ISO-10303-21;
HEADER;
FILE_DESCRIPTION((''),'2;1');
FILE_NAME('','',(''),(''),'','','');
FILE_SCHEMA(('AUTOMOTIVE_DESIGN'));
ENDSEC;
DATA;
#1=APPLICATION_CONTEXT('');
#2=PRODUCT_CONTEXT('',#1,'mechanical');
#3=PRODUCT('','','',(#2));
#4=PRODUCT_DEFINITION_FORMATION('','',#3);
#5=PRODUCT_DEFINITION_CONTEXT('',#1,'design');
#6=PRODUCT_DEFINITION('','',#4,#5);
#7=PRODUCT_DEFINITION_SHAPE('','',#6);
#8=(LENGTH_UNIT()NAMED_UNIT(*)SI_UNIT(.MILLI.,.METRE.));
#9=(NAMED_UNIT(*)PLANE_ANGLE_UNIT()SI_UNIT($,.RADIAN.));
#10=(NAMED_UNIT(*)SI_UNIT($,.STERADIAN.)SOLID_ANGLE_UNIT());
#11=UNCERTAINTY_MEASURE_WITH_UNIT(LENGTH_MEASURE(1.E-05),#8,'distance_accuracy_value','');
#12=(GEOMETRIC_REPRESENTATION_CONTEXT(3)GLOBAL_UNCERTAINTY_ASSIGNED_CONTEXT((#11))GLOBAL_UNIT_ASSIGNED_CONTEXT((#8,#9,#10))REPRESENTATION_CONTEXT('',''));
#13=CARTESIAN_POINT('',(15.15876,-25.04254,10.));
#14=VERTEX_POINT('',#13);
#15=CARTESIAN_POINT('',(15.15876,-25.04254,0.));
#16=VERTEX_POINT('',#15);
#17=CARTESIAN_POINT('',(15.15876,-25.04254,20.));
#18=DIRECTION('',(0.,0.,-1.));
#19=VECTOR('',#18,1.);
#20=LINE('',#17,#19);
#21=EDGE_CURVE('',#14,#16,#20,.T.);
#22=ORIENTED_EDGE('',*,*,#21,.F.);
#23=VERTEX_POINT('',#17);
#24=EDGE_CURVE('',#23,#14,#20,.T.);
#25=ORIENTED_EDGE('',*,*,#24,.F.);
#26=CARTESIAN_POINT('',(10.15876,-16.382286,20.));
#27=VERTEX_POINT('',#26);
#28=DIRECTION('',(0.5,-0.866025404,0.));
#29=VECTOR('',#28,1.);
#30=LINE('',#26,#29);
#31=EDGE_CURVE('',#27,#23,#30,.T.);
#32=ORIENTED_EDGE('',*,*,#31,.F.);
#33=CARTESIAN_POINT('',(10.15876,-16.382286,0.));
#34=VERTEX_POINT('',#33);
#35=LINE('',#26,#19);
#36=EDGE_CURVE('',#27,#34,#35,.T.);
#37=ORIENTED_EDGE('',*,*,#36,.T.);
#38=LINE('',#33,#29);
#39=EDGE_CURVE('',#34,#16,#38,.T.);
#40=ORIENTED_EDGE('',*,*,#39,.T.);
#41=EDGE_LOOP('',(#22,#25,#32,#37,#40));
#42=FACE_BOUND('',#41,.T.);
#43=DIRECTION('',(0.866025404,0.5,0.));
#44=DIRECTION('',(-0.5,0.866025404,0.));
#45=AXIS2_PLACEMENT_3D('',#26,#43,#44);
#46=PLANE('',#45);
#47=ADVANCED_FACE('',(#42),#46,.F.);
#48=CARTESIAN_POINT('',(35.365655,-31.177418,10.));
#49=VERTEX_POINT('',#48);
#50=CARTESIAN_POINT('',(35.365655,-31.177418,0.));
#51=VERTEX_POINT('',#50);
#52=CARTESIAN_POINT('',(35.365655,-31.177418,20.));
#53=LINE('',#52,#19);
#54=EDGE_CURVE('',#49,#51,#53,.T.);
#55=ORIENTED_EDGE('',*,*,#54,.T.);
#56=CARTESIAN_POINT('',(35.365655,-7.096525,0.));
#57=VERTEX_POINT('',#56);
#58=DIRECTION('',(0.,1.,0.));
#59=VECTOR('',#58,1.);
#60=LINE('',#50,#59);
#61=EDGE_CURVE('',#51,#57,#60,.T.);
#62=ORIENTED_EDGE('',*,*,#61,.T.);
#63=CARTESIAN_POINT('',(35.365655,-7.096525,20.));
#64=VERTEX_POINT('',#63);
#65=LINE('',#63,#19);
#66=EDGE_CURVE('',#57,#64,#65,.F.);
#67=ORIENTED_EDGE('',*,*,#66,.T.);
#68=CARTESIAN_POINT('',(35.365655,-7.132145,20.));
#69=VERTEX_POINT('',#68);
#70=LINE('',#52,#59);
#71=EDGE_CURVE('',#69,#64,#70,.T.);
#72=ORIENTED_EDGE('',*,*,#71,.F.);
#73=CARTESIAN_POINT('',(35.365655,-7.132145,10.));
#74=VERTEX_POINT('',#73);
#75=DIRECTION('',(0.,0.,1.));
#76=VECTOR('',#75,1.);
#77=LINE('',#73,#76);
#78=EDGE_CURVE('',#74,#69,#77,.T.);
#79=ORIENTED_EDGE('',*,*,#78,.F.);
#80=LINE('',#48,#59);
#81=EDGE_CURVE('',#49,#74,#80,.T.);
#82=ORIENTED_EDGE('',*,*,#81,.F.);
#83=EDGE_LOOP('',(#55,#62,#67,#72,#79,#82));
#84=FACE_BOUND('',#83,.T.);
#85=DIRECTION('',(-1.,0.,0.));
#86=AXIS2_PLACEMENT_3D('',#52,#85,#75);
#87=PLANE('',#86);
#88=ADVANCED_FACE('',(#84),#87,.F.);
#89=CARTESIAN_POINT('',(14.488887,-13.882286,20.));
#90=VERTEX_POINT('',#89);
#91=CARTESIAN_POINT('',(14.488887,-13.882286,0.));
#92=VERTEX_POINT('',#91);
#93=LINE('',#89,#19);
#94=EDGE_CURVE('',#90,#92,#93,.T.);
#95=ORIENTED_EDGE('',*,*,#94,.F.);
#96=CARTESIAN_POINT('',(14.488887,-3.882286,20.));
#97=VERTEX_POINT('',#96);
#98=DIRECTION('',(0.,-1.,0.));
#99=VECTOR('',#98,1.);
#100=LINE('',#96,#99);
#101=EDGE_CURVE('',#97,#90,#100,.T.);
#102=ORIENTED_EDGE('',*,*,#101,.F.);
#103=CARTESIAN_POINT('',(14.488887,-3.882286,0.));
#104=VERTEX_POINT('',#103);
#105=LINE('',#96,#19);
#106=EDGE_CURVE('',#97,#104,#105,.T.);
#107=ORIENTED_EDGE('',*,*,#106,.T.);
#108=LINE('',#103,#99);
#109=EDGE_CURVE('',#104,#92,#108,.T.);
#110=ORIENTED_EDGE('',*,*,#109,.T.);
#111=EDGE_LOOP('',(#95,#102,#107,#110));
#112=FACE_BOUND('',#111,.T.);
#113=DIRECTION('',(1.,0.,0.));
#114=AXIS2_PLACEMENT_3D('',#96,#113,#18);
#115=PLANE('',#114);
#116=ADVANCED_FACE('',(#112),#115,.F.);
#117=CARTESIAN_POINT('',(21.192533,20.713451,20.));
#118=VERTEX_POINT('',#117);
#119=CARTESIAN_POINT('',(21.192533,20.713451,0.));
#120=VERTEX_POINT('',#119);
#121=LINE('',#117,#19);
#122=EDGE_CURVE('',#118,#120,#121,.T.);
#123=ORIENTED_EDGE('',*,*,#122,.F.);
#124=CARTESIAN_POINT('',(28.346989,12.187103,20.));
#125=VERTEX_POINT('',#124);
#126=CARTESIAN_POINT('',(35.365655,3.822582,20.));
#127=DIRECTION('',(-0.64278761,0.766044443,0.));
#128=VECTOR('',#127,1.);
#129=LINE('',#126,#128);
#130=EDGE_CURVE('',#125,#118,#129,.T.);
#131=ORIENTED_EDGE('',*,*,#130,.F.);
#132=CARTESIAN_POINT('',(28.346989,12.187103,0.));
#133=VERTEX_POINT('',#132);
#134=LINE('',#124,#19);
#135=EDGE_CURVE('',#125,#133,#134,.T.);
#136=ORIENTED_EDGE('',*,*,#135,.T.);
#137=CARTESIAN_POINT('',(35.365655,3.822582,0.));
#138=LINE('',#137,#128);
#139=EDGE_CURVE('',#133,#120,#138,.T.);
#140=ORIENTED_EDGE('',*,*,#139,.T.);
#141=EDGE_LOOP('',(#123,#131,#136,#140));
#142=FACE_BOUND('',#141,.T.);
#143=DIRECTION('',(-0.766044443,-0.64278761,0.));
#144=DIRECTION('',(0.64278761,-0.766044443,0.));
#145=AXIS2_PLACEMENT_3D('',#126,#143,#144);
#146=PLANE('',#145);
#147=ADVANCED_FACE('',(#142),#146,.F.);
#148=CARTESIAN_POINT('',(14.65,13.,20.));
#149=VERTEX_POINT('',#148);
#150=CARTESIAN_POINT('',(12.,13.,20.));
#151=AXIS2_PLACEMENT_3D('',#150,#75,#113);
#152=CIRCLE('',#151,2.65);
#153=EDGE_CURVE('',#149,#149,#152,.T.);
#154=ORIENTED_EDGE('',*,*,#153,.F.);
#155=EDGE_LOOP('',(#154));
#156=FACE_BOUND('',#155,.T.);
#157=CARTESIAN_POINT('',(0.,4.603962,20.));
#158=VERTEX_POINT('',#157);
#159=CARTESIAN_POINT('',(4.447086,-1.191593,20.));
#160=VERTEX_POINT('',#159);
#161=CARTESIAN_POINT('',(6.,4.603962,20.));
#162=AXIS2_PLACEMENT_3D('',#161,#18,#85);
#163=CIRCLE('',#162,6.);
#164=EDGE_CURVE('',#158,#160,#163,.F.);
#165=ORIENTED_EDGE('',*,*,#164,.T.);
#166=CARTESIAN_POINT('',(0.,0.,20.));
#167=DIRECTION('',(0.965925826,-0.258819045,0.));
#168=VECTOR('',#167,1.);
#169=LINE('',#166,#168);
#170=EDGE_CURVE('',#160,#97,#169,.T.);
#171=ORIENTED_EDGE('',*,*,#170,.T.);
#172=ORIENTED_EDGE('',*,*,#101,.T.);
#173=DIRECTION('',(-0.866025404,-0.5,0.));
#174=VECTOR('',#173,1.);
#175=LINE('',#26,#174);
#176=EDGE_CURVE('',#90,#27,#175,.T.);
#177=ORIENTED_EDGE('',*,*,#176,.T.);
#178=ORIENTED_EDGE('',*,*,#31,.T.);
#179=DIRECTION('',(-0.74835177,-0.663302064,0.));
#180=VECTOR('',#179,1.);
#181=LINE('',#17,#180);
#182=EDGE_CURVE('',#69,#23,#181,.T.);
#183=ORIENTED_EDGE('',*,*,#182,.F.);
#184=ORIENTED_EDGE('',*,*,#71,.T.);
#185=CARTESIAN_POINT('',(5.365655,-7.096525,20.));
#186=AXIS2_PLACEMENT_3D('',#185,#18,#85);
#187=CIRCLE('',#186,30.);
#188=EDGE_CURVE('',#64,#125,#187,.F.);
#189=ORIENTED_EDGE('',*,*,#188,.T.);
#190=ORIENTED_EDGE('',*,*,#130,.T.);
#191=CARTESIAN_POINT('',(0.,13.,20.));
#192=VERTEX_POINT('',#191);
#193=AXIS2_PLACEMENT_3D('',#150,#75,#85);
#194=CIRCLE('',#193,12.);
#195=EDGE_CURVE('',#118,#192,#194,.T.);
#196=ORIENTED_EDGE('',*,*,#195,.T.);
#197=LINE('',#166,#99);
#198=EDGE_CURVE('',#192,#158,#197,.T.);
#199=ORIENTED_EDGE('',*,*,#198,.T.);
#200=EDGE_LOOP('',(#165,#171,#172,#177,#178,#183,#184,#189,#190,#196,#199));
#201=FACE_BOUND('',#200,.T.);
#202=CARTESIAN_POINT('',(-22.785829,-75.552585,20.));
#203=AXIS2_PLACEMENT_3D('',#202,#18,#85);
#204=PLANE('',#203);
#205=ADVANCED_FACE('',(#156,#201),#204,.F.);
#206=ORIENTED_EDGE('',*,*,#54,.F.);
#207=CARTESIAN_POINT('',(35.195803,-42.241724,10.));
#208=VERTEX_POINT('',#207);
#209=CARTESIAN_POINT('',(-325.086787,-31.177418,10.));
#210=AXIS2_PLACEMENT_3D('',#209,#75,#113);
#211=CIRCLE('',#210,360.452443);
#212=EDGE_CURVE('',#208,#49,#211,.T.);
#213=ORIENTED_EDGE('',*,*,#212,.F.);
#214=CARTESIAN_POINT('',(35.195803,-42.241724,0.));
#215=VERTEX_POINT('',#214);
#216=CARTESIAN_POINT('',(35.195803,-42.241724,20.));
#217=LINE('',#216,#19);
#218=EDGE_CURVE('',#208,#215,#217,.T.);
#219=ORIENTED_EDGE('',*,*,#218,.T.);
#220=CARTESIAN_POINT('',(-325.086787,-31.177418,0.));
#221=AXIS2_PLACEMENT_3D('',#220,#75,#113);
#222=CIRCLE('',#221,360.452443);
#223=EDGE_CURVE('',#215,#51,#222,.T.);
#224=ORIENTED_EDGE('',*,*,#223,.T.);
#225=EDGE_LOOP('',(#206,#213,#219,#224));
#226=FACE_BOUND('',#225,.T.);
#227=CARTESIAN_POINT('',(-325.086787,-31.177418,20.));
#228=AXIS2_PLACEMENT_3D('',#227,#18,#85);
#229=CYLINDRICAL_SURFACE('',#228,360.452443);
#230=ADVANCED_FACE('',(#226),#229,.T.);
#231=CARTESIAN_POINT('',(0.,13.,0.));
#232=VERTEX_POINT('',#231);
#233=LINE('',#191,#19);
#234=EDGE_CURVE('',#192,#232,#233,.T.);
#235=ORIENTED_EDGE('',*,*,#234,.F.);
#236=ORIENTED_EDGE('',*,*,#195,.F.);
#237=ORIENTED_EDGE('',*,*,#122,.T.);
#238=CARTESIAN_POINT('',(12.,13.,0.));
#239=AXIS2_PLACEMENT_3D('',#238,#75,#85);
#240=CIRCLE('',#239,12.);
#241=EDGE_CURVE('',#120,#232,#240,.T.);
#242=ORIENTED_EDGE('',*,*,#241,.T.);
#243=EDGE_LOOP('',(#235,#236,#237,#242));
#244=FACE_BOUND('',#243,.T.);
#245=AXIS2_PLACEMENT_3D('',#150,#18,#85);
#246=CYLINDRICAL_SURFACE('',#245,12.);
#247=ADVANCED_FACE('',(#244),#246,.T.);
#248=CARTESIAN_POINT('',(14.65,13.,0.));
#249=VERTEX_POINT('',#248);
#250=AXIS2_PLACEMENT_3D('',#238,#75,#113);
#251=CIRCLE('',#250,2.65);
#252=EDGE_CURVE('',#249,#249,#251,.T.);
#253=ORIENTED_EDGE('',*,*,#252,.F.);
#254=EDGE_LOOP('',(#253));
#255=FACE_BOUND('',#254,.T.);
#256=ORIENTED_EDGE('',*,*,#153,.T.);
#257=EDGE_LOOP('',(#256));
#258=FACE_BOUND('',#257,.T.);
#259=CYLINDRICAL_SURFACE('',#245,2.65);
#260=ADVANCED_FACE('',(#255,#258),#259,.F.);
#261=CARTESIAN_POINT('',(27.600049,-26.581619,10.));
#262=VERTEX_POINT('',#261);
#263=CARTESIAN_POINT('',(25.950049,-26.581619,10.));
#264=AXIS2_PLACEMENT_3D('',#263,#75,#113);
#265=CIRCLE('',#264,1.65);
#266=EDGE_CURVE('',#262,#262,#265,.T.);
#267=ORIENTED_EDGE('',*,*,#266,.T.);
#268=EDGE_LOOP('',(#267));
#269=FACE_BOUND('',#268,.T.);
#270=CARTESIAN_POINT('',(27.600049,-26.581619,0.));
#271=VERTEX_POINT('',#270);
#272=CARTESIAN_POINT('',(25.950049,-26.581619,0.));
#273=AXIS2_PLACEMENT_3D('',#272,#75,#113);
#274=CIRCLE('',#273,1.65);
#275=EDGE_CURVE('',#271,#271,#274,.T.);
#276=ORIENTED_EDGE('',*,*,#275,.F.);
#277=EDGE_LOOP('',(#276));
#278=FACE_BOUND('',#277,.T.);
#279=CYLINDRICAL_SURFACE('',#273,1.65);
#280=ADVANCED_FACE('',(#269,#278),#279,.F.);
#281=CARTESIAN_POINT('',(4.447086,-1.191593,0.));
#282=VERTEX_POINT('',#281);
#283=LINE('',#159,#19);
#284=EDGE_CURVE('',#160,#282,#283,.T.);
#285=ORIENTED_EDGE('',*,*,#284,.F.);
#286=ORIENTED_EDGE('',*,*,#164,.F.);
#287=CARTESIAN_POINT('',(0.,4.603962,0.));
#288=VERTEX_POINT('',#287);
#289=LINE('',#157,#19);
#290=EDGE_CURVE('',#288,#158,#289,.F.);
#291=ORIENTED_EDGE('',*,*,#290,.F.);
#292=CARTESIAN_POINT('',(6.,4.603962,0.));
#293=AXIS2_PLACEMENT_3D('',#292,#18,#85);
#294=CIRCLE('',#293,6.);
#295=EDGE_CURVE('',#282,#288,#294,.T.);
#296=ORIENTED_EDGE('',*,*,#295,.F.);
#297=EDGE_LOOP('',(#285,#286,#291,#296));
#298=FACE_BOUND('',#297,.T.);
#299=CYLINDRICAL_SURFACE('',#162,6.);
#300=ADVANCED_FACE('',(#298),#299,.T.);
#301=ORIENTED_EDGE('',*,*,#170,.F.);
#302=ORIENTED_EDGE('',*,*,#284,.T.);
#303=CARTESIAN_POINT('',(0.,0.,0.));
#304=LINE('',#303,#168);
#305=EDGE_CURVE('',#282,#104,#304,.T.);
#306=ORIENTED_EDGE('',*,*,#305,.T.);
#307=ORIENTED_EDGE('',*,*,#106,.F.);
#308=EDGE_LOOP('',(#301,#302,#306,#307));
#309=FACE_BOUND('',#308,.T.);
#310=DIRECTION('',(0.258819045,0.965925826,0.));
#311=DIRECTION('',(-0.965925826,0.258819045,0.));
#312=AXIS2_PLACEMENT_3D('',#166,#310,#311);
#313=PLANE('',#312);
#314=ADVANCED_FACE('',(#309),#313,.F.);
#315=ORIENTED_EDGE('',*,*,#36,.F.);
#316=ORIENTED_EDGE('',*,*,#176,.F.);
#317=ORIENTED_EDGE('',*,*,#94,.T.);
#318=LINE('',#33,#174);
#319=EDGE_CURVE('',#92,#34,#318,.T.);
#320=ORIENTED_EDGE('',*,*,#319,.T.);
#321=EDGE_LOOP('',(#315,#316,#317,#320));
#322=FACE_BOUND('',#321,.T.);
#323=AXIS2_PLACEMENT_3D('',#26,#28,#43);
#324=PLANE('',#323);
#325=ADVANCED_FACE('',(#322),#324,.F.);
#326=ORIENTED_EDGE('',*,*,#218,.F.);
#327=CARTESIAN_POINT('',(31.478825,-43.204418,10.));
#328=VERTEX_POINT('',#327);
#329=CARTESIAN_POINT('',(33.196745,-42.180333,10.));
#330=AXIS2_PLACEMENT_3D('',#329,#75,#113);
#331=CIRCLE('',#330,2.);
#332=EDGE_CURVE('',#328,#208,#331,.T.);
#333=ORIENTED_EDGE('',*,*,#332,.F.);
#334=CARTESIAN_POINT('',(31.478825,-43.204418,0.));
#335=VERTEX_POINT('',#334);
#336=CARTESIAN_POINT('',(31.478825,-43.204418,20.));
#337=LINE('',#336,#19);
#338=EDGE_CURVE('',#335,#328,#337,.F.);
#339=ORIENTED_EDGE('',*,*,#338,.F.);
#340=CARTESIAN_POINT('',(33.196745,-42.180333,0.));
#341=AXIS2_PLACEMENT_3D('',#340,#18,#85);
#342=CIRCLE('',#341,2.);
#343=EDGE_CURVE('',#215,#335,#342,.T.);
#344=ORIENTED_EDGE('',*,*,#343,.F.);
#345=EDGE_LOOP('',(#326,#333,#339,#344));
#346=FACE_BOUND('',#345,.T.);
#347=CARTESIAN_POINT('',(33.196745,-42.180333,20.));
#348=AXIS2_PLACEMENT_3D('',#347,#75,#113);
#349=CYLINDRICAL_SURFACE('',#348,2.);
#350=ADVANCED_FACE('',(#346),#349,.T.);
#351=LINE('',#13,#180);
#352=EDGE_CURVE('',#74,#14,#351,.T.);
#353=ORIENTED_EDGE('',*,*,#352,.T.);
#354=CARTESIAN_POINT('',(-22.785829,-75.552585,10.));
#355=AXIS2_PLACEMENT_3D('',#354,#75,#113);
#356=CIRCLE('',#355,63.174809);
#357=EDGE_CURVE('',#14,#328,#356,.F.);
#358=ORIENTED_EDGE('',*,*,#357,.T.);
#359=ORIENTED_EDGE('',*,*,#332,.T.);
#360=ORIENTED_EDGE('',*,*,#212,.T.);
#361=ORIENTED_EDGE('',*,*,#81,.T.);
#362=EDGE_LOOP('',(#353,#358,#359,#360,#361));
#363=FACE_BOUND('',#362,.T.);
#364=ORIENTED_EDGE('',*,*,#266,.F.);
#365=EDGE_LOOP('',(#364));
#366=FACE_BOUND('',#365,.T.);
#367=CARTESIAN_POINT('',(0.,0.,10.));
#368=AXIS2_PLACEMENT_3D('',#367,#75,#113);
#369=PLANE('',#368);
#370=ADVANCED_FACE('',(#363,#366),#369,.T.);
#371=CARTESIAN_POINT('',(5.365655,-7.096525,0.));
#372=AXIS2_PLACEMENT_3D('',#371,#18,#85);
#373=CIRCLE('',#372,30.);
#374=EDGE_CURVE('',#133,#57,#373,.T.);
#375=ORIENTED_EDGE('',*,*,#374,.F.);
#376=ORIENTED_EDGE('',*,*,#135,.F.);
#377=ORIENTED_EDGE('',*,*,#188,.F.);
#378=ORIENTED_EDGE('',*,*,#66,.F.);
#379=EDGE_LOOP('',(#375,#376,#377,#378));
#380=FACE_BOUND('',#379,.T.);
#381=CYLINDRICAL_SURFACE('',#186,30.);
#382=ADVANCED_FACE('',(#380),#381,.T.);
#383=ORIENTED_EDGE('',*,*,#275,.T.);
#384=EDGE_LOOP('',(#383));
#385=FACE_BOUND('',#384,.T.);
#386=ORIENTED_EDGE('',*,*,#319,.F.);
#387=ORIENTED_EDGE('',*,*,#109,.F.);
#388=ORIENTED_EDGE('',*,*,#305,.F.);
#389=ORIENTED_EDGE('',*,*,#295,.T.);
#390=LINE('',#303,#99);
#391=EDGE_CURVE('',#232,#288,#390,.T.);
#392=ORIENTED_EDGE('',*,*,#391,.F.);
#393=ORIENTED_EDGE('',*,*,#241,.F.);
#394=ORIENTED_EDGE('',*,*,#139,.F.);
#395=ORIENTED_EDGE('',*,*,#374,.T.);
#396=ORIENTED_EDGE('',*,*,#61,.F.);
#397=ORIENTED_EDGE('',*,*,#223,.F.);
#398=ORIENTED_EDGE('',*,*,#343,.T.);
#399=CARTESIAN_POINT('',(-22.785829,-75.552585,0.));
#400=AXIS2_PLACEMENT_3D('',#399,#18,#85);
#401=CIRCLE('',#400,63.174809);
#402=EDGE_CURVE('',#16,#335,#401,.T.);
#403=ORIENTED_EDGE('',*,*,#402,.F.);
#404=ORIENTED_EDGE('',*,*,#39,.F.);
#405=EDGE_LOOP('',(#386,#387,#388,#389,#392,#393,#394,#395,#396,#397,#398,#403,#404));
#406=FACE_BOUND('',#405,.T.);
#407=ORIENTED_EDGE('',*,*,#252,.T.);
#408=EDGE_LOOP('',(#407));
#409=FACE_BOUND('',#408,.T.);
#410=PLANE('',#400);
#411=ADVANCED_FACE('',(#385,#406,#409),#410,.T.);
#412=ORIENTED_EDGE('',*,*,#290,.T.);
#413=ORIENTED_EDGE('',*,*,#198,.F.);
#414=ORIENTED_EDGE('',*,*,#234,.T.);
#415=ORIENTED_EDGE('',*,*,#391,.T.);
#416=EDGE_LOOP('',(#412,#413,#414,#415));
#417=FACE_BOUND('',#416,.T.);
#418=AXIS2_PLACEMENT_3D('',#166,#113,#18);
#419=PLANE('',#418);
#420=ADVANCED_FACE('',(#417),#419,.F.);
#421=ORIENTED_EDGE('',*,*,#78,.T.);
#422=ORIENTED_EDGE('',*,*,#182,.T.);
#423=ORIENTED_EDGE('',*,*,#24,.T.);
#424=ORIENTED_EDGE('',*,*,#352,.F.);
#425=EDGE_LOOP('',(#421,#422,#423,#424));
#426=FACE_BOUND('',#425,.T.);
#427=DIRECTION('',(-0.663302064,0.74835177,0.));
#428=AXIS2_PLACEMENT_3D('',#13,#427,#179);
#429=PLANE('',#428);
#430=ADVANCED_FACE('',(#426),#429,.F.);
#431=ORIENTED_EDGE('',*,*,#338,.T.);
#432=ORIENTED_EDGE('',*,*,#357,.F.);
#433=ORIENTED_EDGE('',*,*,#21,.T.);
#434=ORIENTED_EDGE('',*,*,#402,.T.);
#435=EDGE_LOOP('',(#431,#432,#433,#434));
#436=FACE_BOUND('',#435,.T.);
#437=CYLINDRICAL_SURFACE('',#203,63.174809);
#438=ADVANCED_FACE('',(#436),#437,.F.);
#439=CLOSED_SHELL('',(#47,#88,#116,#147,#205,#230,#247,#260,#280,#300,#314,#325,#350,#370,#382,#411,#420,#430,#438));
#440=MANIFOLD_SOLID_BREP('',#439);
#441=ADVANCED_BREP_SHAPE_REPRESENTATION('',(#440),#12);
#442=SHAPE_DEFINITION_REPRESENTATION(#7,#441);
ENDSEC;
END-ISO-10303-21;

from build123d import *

# Parameters (mm, degrees)
SKETCH_1_R          = 2.65
EXTRUDE_1_DEPTH     = 20
CUT_EXTRUDE_1_DEPTH = 10
FILLET_1_R          = 2
FILLET_2_R          = 30
SKETCH_3_R          = 1.65
CUT_EXTRUDE_2_DEPTH = 58.468525672
FILLET_3_R          = 6


with BuildPart() as part:
    # 草图1 → 凸台-拉伸1 (new body)
    with BuildSketch(Plane.XY):
        with BuildLine():
            Line((0, 0), (0, 13))
            ThreePointArc((0, 13), (7.89575828, 24.276311449), (21.192533317, 20.713451316))
            Line((21.192533317, 20.713451316), (35.365655494, 3.822582044))
            Line((35.365655494, 3.822582044), (35.365655494, -31.177417956))
            ThreePointArc((35.365655494, -31.177417956), (35.245743493, -40.47423292), (34.886087273, -49.764862326))
            ThreePointArc((34.886087273, -49.764862326), (26.594605872, -36.149168843), (15.158760375, -25.042539714))
            Line((15.158760375, -25.042539714), (10.158760375, -16.382285677))
            Line((10.158760375, -16.382285677), (14.488887394, -13.882285677))
            Line((14.488887394, -13.882285677), (14.488887394, -3.882285677))
            Line((14.488887394, -3.882285677), (0, 0))
        make_face()
        with Locations((12, 13)):
            Circle(SKETCH_1_R, mode=Mode.SUBTRACT)
    extrude(amount=EXTRUDE_1_DEPTH)

    # 草图2 → 切除-拉伸1 (cut)
    with BuildSketch(Plane.XY.offset(20)):
        Polygon((15.158760375, -25.042539714), (35.365655494, -7.132145445), (35.365655494, -70.887668239), (13.758782183, -70.887668239), align=None)
    extrude(amount=-CUT_EXTRUDE_1_DEPTH, mode=Mode.SUBTRACT)

    # 圆角1
    fillet_1_edges = [part.edges().sort_by_distance(p)[0] for p in [
        (34.886087273, -49.764862326, 5),
    ]]
    fillet(fillet_1_edges, radius=FILLET_1_R)

    # 圆角2
    fillet_2_edges = [part.edges().sort_by_distance(p)[0] for p in [
        (35.365655494, 3.822582044, 10),
    ]]
    fillet(fillet_2_edges, radius=FILLET_2_R)

    # 草图3 → 切除-拉伸2 (cut, through all)
    with BuildSketch(Plane.XY.offset(10)):
        with Locations((25.95004871, -26.58161927)):
            Circle(SKETCH_3_R)
    extrude(amount=-CUT_EXTRUDE_2_DEPTH, mode=Mode.SUBTRACT)

    # 圆角3
    fillet_3_edges = [part.edges().sort_by_distance(p)[0] for p in [
        (0, 0, 10),
    ]]
    fillet(fillet_3_edges, radius=FILLET_3_R)


solid = part.part
